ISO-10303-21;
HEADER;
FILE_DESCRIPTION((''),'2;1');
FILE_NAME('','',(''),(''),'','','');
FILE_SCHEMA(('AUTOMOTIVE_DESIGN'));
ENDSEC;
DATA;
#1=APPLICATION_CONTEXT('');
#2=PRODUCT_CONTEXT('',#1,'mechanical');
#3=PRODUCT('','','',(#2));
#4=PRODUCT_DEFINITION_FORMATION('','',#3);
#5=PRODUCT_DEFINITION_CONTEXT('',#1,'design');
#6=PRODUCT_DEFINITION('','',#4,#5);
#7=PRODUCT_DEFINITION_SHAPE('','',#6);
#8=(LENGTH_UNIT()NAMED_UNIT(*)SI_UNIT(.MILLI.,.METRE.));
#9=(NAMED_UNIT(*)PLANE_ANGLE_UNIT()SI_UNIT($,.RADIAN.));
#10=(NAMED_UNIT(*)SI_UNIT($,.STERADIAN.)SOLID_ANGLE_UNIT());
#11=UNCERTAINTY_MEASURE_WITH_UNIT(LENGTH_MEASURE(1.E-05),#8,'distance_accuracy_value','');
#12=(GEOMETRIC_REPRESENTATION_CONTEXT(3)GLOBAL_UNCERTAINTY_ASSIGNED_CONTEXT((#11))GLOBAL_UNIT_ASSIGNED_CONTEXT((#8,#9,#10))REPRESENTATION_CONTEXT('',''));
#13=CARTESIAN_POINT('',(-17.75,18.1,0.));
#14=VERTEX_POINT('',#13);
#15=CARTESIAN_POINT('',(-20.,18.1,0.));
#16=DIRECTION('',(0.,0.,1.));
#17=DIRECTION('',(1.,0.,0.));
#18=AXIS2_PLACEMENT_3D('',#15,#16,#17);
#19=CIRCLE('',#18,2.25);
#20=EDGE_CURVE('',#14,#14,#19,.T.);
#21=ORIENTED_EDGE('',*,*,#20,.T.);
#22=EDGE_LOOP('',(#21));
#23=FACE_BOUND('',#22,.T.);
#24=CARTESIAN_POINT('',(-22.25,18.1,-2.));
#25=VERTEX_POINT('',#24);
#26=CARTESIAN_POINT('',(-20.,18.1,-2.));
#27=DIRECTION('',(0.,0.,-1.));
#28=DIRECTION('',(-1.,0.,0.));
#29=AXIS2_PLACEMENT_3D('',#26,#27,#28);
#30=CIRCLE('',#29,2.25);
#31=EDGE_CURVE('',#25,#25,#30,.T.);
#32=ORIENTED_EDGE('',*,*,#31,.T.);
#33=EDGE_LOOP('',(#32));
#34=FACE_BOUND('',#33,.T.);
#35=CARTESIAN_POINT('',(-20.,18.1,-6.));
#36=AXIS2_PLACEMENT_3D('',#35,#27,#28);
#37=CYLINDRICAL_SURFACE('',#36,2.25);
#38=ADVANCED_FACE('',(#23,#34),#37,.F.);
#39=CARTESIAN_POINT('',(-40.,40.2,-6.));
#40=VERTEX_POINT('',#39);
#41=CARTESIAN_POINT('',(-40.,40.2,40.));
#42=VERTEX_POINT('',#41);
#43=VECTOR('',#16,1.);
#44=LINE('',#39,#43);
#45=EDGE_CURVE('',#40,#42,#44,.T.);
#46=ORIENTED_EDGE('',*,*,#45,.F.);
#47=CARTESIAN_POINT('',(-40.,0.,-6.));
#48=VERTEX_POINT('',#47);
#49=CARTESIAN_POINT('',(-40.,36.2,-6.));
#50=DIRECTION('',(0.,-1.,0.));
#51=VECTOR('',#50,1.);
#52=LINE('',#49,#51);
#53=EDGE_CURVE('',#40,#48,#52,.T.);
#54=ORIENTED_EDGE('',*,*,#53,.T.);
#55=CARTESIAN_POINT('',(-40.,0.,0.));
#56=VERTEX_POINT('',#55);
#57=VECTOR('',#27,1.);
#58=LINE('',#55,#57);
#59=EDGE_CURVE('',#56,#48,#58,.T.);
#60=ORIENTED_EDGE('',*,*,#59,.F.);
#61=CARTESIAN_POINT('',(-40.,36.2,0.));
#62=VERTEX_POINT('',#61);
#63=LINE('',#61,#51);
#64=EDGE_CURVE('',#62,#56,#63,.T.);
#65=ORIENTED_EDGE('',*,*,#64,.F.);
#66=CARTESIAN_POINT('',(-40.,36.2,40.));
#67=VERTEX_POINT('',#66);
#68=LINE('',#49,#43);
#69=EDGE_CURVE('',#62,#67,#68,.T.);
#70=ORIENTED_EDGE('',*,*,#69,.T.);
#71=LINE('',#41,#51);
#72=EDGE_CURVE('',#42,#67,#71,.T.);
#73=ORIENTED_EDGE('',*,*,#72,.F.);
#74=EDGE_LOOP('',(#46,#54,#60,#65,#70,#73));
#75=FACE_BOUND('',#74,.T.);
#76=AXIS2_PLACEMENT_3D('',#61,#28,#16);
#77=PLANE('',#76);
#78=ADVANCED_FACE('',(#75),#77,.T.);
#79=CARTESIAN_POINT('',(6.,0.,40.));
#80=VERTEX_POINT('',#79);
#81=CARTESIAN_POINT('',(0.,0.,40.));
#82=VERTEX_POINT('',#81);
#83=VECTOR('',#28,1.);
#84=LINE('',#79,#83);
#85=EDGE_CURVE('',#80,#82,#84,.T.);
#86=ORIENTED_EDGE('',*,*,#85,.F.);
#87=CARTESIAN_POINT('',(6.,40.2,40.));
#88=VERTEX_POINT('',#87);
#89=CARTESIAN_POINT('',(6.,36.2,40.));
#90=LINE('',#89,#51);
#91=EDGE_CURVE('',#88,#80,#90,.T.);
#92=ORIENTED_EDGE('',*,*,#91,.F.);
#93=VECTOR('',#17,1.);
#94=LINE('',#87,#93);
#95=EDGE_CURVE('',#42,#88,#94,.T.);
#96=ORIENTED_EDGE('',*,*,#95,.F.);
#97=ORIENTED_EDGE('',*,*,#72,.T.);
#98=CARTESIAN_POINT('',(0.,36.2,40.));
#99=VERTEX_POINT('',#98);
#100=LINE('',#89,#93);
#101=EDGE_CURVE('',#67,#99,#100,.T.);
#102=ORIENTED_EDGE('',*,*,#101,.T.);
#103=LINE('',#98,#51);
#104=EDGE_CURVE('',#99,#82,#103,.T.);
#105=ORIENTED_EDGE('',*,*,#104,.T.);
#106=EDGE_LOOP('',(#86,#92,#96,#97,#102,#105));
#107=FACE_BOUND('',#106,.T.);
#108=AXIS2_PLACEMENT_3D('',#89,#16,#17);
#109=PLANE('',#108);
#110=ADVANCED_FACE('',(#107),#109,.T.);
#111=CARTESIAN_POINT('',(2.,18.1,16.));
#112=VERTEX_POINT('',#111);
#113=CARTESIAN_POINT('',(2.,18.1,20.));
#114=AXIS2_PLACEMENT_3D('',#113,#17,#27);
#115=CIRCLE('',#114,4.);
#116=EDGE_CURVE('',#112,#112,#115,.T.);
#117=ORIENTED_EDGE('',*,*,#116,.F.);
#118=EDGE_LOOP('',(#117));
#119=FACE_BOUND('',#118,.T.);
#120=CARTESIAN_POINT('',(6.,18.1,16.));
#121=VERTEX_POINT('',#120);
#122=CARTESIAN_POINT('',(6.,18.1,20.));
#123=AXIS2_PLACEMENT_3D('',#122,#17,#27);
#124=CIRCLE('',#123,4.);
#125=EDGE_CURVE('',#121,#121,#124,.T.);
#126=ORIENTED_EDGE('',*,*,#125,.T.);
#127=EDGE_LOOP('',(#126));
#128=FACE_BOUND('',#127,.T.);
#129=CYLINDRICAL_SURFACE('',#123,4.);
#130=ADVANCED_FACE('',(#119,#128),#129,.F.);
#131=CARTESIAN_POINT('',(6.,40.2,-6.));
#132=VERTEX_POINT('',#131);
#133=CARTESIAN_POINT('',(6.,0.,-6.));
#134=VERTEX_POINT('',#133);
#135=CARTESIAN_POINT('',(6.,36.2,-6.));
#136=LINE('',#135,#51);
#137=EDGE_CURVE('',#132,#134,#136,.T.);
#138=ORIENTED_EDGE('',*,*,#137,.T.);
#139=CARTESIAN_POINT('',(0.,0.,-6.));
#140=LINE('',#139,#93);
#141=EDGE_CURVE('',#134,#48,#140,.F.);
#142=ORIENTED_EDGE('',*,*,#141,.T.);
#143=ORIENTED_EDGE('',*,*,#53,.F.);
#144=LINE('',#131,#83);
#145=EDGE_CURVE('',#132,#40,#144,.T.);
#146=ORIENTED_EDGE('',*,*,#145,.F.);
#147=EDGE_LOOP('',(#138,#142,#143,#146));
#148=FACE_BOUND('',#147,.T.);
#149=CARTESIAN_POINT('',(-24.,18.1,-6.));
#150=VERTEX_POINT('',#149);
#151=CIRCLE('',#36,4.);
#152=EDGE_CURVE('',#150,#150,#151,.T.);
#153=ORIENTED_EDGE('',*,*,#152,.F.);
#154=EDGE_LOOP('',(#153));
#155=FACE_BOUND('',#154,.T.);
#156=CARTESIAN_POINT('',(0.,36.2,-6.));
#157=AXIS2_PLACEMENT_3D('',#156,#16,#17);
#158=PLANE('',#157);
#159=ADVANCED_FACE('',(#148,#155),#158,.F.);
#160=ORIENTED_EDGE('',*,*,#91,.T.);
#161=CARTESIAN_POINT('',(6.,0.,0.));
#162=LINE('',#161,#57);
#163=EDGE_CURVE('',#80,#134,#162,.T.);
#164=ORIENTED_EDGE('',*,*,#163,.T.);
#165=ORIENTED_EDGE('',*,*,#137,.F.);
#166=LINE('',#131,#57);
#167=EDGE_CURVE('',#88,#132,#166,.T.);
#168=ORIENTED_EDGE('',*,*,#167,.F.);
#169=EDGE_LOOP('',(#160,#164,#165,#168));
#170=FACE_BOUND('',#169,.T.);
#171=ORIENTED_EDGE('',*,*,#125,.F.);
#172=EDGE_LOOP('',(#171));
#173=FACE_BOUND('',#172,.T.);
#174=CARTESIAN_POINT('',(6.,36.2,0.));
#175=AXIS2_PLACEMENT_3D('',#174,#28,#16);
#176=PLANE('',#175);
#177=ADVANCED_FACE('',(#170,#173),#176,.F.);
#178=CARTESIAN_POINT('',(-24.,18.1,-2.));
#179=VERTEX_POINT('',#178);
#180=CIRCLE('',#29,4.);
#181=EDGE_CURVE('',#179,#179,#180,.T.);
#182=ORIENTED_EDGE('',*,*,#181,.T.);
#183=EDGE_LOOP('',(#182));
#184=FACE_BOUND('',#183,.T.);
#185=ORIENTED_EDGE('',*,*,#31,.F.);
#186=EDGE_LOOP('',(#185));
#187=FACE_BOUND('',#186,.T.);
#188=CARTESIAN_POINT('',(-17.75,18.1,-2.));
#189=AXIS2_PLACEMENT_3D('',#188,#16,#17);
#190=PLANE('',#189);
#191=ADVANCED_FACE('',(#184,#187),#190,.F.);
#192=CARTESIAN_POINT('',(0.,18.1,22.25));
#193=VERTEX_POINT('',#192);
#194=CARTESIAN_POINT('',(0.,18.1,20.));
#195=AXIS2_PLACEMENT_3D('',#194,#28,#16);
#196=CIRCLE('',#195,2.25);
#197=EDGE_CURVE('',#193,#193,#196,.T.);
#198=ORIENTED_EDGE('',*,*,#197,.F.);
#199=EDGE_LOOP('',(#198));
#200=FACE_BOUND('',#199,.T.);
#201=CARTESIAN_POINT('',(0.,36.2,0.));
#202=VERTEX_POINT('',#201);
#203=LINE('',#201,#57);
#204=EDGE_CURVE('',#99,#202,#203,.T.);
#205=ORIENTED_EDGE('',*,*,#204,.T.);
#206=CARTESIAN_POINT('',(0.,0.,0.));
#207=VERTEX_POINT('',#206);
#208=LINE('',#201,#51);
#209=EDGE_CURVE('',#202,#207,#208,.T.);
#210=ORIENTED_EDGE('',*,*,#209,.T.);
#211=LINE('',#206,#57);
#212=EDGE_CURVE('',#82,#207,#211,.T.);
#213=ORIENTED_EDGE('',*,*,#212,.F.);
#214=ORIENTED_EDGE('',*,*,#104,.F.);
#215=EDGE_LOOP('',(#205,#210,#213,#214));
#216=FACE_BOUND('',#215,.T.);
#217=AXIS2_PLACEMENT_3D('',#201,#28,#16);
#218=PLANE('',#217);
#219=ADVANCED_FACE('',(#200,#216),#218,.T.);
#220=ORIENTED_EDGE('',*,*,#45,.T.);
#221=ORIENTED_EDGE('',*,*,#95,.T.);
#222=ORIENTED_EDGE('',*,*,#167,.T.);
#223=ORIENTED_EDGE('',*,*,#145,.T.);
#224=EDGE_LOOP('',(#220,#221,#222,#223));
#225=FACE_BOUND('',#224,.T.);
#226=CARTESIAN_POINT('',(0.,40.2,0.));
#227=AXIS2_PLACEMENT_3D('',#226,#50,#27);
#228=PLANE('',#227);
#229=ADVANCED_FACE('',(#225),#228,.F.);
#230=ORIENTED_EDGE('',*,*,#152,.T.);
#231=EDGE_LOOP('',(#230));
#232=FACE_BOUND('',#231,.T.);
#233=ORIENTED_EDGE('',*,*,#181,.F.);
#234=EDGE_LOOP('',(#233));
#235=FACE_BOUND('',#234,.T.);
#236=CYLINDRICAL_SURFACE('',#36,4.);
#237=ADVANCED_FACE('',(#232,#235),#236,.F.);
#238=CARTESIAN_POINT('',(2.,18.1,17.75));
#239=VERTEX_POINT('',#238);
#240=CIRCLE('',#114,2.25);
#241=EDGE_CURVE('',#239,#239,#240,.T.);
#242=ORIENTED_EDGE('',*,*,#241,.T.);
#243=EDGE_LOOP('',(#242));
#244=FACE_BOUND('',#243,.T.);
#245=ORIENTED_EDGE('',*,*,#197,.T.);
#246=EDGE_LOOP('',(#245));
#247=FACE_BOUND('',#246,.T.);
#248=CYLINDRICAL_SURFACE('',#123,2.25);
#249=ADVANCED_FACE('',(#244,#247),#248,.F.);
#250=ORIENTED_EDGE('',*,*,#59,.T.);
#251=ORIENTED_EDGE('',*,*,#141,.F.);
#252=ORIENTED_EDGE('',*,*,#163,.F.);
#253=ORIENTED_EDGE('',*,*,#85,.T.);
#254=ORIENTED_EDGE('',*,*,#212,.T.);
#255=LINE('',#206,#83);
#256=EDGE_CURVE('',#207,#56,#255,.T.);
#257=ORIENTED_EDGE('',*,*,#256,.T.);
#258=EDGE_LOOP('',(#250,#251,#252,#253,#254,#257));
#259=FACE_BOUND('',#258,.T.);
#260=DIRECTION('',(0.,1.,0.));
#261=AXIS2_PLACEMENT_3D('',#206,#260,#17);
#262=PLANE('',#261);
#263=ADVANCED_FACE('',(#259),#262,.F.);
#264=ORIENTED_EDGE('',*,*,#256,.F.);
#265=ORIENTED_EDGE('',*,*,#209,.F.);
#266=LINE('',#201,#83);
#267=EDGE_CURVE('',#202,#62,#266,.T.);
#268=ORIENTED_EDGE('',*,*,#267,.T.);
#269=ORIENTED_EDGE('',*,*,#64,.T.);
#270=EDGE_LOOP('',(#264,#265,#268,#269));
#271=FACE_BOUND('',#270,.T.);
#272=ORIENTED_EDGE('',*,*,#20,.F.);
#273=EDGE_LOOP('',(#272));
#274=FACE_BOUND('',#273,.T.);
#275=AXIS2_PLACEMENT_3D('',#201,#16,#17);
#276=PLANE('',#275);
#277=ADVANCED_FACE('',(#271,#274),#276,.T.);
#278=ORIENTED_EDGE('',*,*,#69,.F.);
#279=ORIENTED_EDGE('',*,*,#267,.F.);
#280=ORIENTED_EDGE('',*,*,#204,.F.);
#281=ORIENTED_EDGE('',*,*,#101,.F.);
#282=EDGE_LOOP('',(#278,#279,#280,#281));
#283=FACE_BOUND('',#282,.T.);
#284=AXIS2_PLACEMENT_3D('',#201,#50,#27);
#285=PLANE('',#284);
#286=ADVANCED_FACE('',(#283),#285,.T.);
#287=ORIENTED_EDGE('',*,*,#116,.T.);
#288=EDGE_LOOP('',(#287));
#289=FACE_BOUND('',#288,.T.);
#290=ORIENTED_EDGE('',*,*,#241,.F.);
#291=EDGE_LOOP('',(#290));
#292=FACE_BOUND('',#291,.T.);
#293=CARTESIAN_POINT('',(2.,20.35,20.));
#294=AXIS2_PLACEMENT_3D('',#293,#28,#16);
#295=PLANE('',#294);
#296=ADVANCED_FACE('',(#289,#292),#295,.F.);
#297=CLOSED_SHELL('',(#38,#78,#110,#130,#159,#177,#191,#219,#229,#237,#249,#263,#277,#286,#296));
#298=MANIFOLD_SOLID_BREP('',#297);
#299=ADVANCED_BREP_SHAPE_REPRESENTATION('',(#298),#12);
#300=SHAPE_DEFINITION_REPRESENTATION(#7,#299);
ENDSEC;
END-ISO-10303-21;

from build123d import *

# Parameters (mm, degrees)
EXTRUDE_THIN1_DEPTH                      = 36.2
SKETCH2_W                                = 46
SKETCH2_H                                = 46
BOSS_EXTRUDE1_DEPTH                      = 4
CBORE_FOR_M4_SHCS1_D                     = 4.5
CBORE_FOR_M4_SHCS1_DEPTH                 = 6
CBORE_FOR_M4_SHCS1_CBORE_D               = 8
CBORE_FOR_M4_SHCS1_CBORE_DEPTH           = 4
CBORE_FOR_M4_SHCS1_ON_FACE_2_D           = 4.5
CBORE_FOR_M4_SHCS1_ON_FACE_2_DEPTH       = 6
CBORE_FOR_M4_SHCS1_ON_FACE_2_CBORE_D     = 8
CBORE_FOR_M4_SHCS1_ON_FACE_2_CBORE_DEPTH = 4


with BuildPart() as part:
    # Sketch1 → Extrude-Thin1 (new body)
    with BuildSketch(Plane(origin=(0, 0, 0), x_dir=(1, 0, 0), z_dir=(0, 1, 0))):
        Polygon((-40, 0), (0, 0), (0, -40), (6, -40), (6, 6), (-40, 6), align=None)
    extrude(amount=EXTRUDE_THIN1_DEPTH)

    # Sketch2 → Boss-Extrude1 (add)
    with BuildSketch(Plane(origin=(0, 36.2, 0), x_dir=(1, 0, 0), z_dir=(0, 1, 0))):
        with Locations((-17, -17)):
            Rectangle(SKETCH2_W, SKETCH2_H)
    extrude(amount=BOSS_EXTRUDE1_DEPTH)

    # CBORE for M4 SHCS1
    with Locations(Plane(origin=(6, 18.1, 20), x_dir=(0, 0, 1), z_dir=(1, 0, 0))):
        with Locations((0, 0)):
            CounterBoreHole(CBORE_FOR_M4_SHCS1_D / 2, CBORE_FOR_M4_SHCS1_CBORE_D / 2, CBORE_FOR_M4_SHCS1_CBORE_DEPTH, depth=CBORE_FOR_M4_SHCS1_DEPTH)

    # CBORE for M4 SHCS1 on face 2
    with Locations(Plane(origin=(-20, 18.1, -6), x_dir=(-1, 0, 0), z_dir=(0, 0, -1))):
        with Locations((0, 0)):
            CounterBoreHole(CBORE_FOR_M4_SHCS1_ON_FACE_2_D / 2, CBORE_FOR_M4_SHCS1_ON_FACE_2_CBORE_D / 2, CBORE_FOR_M4_SHCS1_ON_FACE_2_CBORE_DEPTH, depth=CBORE_FOR_M4_SHCS1_ON_FACE_2_DEPTH)


solid = part.part
